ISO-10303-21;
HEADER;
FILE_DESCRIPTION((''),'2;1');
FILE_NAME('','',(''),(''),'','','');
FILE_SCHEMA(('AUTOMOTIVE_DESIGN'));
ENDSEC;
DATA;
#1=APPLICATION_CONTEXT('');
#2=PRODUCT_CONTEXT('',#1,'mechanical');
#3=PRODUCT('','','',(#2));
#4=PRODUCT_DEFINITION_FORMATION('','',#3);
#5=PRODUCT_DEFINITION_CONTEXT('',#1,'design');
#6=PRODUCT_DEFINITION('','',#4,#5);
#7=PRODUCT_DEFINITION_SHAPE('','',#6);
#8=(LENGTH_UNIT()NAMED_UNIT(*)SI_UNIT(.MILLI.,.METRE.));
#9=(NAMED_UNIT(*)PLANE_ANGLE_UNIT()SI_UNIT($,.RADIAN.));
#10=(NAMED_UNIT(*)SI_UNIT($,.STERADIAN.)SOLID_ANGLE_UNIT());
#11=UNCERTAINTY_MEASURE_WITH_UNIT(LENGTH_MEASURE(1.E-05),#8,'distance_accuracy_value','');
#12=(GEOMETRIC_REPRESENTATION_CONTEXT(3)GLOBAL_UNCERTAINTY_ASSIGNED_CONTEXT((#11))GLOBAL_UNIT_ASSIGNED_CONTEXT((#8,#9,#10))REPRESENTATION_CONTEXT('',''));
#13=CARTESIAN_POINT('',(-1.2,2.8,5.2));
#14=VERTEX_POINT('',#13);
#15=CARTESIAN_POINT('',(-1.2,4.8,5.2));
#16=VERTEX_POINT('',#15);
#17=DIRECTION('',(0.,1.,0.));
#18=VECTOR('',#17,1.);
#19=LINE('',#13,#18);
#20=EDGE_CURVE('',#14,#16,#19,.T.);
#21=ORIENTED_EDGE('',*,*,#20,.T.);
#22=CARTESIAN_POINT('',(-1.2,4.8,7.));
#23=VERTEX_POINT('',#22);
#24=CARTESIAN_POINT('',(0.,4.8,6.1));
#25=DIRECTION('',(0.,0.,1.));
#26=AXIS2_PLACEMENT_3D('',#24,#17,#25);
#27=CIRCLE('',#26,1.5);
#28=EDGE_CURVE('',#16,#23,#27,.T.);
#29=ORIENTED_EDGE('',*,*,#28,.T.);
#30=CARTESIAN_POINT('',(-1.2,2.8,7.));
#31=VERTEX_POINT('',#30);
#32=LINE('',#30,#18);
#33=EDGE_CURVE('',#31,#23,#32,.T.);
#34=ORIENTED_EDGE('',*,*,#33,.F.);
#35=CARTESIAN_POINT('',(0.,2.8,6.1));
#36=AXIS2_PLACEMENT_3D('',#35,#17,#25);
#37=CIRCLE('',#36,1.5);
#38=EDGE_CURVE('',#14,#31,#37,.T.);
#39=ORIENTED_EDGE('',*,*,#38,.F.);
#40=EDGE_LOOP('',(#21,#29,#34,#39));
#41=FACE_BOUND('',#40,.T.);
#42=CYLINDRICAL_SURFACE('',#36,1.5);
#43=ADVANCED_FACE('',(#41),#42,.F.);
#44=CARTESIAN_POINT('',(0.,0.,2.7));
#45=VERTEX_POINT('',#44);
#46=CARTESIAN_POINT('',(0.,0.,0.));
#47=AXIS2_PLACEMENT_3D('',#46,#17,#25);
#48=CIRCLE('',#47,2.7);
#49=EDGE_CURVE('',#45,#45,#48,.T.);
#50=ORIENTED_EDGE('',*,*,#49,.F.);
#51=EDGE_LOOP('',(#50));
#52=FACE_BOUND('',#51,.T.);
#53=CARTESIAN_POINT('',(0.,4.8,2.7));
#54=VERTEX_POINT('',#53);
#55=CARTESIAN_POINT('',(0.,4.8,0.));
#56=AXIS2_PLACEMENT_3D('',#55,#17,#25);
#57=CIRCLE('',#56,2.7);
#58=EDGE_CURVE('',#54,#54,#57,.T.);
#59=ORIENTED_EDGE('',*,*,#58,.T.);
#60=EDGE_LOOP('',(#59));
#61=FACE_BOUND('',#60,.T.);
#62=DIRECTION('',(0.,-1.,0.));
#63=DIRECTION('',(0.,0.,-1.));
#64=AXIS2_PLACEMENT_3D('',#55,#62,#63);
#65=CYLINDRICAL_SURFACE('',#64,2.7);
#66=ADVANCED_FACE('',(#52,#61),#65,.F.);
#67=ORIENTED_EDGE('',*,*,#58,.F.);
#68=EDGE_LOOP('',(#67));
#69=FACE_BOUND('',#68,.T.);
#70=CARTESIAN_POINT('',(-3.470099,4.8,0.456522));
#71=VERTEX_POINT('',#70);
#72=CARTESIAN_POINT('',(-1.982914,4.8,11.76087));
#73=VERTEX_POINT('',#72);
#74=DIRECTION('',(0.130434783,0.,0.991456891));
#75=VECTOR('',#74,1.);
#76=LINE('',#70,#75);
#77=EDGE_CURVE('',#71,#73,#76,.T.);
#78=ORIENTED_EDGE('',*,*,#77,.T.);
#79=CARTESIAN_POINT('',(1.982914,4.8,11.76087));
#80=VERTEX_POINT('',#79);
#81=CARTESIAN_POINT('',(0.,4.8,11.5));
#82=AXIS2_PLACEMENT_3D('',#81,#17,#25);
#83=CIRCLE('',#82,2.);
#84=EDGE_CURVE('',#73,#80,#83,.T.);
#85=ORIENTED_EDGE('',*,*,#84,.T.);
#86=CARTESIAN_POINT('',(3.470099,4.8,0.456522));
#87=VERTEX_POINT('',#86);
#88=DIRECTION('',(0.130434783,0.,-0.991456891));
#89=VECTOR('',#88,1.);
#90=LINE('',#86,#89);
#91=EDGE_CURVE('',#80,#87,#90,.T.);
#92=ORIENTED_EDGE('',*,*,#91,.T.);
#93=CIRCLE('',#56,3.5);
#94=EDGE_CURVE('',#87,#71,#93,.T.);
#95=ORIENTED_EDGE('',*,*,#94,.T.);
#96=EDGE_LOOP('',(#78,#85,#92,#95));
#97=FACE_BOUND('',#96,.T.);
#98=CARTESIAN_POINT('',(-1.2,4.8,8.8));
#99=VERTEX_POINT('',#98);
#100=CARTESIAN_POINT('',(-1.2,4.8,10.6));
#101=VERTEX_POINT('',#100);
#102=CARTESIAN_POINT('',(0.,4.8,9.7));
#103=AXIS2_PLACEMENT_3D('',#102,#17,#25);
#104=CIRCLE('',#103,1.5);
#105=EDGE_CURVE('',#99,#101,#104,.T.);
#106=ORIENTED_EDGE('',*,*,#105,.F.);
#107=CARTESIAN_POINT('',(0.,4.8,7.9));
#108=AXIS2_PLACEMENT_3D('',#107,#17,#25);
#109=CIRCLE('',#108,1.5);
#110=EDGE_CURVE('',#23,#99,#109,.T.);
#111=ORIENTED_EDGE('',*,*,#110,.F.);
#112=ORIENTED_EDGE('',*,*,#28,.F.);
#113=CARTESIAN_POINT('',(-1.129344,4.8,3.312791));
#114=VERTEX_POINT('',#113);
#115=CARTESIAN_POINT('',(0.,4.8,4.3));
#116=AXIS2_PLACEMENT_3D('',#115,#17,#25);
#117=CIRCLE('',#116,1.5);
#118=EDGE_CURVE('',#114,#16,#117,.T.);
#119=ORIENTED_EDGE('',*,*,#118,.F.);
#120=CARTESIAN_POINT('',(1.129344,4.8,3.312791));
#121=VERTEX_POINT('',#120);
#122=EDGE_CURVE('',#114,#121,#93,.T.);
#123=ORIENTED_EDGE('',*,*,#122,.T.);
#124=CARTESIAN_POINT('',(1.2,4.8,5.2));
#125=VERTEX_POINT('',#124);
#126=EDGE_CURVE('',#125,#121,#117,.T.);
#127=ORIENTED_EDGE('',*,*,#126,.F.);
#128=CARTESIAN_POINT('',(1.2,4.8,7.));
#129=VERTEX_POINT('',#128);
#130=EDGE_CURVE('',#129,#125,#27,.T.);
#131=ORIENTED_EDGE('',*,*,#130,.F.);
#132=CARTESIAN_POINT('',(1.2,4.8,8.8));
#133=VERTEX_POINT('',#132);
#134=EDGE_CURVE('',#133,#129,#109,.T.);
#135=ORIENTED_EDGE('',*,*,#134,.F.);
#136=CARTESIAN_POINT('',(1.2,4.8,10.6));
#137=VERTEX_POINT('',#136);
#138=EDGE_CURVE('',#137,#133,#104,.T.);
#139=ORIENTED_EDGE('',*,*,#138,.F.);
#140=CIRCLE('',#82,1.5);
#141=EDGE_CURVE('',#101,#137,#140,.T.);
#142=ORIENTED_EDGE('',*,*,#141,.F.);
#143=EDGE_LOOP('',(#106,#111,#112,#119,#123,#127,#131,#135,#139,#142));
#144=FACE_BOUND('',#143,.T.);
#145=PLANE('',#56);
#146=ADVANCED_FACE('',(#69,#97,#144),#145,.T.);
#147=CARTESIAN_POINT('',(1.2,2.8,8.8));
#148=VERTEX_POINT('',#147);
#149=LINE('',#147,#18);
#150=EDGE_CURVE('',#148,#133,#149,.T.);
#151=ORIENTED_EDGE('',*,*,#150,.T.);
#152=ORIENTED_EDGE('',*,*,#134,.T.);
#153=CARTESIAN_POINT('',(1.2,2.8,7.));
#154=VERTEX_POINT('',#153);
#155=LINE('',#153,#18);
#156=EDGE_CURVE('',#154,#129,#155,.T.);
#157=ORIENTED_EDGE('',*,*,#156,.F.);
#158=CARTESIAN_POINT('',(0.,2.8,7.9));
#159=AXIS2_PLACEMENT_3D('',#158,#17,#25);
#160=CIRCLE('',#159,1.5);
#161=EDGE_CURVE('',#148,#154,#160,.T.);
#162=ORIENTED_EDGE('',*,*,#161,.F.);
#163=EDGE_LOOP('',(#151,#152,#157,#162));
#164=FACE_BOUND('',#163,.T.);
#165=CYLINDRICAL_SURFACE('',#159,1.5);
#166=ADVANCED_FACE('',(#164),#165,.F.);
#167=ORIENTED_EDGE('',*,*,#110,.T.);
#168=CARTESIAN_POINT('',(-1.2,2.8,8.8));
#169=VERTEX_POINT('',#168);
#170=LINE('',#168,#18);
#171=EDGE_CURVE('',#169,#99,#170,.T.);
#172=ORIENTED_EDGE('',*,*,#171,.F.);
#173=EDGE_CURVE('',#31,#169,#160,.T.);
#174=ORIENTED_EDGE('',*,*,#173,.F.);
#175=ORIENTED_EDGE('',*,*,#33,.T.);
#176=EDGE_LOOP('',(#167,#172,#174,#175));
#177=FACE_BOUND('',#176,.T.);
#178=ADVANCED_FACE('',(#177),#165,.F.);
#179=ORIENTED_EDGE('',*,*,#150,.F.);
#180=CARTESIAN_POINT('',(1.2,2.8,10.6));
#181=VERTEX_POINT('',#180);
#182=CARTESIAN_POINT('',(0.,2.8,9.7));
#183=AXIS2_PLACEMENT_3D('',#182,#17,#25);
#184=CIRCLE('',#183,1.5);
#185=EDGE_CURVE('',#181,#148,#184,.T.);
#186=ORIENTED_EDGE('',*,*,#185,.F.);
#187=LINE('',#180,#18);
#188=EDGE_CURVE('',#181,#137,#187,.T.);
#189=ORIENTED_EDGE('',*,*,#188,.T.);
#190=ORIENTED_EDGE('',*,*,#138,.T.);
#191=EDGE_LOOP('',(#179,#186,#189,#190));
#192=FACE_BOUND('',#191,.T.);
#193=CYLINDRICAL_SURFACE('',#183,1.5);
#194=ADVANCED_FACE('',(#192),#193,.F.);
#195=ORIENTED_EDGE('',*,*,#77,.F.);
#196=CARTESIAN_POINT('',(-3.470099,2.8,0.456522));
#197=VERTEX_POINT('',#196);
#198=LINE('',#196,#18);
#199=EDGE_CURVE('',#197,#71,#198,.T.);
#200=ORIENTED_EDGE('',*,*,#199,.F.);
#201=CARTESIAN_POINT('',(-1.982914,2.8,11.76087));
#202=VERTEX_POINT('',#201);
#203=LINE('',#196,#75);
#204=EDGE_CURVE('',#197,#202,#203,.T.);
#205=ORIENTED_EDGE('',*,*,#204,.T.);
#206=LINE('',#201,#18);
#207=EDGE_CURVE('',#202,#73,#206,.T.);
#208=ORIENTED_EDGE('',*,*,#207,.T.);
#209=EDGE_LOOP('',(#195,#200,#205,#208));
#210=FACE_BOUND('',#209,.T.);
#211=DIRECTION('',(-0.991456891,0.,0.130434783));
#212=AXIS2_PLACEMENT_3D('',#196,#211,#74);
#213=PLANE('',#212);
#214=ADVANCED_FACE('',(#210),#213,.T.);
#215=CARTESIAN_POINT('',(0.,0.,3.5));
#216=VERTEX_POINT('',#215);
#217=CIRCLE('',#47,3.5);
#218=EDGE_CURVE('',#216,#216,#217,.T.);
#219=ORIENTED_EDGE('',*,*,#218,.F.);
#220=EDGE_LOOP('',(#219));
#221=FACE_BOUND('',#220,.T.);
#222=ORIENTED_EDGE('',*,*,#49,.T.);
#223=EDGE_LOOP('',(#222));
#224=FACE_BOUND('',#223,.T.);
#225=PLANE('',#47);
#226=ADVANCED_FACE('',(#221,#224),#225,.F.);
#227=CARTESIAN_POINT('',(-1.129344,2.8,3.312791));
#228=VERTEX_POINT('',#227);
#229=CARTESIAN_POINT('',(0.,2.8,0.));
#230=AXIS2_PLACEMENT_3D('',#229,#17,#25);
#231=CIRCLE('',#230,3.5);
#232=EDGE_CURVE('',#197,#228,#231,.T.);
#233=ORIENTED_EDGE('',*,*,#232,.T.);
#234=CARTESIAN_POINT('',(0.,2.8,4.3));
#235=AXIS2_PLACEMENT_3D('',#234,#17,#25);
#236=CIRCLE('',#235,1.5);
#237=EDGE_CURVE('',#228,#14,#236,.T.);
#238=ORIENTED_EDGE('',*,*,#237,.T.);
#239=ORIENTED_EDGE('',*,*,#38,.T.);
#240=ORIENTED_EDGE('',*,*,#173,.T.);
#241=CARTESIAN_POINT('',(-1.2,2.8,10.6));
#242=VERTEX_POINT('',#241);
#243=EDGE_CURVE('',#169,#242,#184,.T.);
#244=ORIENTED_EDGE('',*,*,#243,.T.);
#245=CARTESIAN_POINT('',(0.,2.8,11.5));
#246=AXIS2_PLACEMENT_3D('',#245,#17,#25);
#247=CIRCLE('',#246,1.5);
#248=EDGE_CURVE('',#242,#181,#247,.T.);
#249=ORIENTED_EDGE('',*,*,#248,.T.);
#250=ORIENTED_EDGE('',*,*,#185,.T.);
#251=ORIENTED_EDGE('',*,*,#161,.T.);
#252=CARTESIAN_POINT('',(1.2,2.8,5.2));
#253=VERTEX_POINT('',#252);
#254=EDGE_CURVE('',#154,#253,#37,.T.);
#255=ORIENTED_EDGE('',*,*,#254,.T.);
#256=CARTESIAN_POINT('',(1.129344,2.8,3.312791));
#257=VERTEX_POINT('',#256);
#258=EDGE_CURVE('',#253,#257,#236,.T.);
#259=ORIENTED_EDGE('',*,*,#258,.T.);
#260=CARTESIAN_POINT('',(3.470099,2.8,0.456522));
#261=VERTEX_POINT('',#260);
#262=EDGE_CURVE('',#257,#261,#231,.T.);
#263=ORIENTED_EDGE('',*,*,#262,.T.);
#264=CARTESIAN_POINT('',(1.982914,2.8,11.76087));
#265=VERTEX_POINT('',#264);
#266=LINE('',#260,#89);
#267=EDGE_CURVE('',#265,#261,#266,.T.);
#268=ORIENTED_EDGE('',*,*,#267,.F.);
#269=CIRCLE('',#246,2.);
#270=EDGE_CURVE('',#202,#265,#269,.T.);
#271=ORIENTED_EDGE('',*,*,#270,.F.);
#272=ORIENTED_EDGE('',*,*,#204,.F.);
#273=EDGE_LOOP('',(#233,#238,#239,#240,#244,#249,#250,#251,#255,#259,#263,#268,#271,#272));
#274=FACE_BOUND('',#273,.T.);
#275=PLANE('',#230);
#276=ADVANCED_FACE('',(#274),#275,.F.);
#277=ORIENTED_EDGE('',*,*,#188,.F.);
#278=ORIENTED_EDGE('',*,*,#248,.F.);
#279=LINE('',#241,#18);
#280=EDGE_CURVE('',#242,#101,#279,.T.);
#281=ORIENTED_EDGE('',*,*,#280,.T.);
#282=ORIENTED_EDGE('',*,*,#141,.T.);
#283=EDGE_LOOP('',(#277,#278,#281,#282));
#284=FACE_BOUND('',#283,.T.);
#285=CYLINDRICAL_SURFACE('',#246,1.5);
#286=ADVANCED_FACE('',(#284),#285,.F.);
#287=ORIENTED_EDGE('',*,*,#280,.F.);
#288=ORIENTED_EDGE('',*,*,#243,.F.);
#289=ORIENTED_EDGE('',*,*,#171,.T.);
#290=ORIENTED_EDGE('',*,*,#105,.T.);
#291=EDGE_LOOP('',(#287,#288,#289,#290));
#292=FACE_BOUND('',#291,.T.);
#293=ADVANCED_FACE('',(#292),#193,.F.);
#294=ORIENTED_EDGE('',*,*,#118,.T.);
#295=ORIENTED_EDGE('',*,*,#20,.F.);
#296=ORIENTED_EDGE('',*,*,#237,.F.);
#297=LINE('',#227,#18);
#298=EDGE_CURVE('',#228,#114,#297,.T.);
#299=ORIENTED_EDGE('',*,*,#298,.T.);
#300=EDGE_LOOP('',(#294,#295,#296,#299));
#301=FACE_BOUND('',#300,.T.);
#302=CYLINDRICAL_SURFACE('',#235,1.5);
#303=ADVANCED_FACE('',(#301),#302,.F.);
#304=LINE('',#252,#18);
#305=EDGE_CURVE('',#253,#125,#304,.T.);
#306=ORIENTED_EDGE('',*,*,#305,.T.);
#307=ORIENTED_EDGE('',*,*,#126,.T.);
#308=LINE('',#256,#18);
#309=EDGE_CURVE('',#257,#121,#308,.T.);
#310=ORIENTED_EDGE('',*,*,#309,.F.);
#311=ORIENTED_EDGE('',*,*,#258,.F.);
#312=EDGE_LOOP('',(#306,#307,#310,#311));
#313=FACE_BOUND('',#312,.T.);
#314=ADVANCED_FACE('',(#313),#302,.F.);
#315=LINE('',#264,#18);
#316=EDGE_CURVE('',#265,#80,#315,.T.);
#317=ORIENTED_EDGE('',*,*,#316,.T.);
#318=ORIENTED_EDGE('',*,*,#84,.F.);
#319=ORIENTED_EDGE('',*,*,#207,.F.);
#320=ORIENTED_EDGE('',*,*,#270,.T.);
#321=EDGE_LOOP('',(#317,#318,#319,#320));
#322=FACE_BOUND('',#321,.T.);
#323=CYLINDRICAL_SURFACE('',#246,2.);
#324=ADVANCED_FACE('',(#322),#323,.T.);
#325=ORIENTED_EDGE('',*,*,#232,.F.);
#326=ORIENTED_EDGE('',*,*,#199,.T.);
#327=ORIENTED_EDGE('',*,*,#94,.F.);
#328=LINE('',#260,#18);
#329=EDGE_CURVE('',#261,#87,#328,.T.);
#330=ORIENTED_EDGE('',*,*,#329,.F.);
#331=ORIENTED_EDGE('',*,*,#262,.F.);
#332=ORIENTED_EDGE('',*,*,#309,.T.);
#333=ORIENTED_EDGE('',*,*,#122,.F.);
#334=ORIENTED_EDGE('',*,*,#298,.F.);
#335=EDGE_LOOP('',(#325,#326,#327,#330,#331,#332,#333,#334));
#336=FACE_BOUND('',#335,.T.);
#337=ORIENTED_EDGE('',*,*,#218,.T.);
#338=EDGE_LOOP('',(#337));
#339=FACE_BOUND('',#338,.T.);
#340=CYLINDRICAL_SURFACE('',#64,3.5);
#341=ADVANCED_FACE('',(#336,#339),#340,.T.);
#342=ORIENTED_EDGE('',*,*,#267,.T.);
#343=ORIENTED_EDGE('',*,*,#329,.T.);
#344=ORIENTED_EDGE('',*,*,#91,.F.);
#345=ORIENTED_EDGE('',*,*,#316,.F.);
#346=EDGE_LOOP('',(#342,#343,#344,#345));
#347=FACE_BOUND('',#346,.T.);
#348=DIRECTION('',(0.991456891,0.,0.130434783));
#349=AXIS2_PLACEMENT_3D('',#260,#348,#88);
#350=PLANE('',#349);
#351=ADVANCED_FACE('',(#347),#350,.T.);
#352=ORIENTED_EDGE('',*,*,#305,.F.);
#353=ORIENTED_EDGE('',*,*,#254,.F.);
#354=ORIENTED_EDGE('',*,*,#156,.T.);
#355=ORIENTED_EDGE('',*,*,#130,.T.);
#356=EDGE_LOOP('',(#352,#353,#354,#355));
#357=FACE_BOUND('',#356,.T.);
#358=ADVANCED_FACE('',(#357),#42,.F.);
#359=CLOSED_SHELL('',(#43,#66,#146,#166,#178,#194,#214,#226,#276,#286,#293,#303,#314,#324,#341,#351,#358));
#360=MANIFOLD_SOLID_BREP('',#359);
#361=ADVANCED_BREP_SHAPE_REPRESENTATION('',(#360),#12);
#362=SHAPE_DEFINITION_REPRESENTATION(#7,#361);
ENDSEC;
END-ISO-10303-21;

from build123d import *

# Parameters (mm, degrees)
SKETCH_1_R      = 3.5
SKETCH_1_R_2    = 2.7
EXTRUDE_1_DEPTH = 4.8
EXTRUDE_START   = -2
EXTRUDE_2_DEPTH = 2


with BuildPart() as part:
    # Эскиз1 → Бобышка-Вытянуть1 (new body)
    with BuildSketch(Plane(origin=(0, 0, 0), x_dir=(1, 0, 0), z_dir=(0, 1, 0))):
        Circle(SKETCH_1_R)
        Circle(SKETCH_1_R_2, mode=Mode.SUBTRACT)
    extrude(amount=EXTRUDE_1_DEPTH)

    # Эскиз2 → Бобышка-Вытянуть2 (add)
    with BuildSketch(Plane(origin=(0, 4.8, 0), x_dir=(1, 0, 0), z_dir=(0, 1, 0)).offset(EXTRUDE_START)):
        with BuildLine():
            ThreePointArc((-1.129343966, -3.312790698), (-2.707080949, -2.218493348), (-3.47009912, -0.456521739))
            Line((-3.47009912, -0.456521739), (-1.982913783, -11.760869565))
            ThreePointArc((-1.982913783, -11.760869565), (0, -13.5), (1.982913783, -11.760869565))
            Line((1.982913783, -11.760869565), (3.47009912, -0.456521739))
            ThreePointArc((3.47009912, -0.456521739), (2.707080949, -2.218493348), (1.129343966, -3.312790698))
            ThreePointArc((1.129343966, -3.312790698), (1.404282014, -3.772750509), (1.5, -4.3))
            ThreePointArc((1.5, -4.3), (1.423024947, -4.774341649), (1.2, -5.2))
            ThreePointArc((1.2, -5.2), (1.423024947, -5.625658351), (1.5, -6.1))
            ThreePointArc((1.5, -6.1), (1.423024947, -6.574341649), (1.2, -7))
            ThreePointArc((1.2, -7), (1.423024947, -7.425658351), (1.5, -7.9))
            ThreePointArc((1.5, -7.9), (1.423024947, -8.374341649), (1.2, -8.8))
            ThreePointArc((1.2, -8.8), (1.423024947, -9.225658351), (1.5, -9.7))
            ThreePointArc((1.5, -9.7), (1.423024947, -10.174341649), (1.2, -10.6))
            ThreePointArc((1.2, -10.6), (1.423024947, -11.025658351), (1.5, -11.5))
            ThreePointArc((1.5, -11.5), (-0.474341649, -12.923024947), (-1.2, -10.6))
            ThreePointArc((-1.2, -10.6), (-1.5, -9.7), (-1.2, -8.8))
            ThreePointArc((-1.2, -8.8), (-1.5, -7.9), (-1.2, -7))
            ThreePointArc((-1.2, -7), (-1.5, -6.1), (-1.2, -5.2))
            ThreePointArc((-1.2, -5.2), (-1.498949821, -4.243880178), (-1.129343966, -3.312790698))
        make_face()
    extrude(amount=EXTRUDE_2_DEPTH)


solid = part.part
